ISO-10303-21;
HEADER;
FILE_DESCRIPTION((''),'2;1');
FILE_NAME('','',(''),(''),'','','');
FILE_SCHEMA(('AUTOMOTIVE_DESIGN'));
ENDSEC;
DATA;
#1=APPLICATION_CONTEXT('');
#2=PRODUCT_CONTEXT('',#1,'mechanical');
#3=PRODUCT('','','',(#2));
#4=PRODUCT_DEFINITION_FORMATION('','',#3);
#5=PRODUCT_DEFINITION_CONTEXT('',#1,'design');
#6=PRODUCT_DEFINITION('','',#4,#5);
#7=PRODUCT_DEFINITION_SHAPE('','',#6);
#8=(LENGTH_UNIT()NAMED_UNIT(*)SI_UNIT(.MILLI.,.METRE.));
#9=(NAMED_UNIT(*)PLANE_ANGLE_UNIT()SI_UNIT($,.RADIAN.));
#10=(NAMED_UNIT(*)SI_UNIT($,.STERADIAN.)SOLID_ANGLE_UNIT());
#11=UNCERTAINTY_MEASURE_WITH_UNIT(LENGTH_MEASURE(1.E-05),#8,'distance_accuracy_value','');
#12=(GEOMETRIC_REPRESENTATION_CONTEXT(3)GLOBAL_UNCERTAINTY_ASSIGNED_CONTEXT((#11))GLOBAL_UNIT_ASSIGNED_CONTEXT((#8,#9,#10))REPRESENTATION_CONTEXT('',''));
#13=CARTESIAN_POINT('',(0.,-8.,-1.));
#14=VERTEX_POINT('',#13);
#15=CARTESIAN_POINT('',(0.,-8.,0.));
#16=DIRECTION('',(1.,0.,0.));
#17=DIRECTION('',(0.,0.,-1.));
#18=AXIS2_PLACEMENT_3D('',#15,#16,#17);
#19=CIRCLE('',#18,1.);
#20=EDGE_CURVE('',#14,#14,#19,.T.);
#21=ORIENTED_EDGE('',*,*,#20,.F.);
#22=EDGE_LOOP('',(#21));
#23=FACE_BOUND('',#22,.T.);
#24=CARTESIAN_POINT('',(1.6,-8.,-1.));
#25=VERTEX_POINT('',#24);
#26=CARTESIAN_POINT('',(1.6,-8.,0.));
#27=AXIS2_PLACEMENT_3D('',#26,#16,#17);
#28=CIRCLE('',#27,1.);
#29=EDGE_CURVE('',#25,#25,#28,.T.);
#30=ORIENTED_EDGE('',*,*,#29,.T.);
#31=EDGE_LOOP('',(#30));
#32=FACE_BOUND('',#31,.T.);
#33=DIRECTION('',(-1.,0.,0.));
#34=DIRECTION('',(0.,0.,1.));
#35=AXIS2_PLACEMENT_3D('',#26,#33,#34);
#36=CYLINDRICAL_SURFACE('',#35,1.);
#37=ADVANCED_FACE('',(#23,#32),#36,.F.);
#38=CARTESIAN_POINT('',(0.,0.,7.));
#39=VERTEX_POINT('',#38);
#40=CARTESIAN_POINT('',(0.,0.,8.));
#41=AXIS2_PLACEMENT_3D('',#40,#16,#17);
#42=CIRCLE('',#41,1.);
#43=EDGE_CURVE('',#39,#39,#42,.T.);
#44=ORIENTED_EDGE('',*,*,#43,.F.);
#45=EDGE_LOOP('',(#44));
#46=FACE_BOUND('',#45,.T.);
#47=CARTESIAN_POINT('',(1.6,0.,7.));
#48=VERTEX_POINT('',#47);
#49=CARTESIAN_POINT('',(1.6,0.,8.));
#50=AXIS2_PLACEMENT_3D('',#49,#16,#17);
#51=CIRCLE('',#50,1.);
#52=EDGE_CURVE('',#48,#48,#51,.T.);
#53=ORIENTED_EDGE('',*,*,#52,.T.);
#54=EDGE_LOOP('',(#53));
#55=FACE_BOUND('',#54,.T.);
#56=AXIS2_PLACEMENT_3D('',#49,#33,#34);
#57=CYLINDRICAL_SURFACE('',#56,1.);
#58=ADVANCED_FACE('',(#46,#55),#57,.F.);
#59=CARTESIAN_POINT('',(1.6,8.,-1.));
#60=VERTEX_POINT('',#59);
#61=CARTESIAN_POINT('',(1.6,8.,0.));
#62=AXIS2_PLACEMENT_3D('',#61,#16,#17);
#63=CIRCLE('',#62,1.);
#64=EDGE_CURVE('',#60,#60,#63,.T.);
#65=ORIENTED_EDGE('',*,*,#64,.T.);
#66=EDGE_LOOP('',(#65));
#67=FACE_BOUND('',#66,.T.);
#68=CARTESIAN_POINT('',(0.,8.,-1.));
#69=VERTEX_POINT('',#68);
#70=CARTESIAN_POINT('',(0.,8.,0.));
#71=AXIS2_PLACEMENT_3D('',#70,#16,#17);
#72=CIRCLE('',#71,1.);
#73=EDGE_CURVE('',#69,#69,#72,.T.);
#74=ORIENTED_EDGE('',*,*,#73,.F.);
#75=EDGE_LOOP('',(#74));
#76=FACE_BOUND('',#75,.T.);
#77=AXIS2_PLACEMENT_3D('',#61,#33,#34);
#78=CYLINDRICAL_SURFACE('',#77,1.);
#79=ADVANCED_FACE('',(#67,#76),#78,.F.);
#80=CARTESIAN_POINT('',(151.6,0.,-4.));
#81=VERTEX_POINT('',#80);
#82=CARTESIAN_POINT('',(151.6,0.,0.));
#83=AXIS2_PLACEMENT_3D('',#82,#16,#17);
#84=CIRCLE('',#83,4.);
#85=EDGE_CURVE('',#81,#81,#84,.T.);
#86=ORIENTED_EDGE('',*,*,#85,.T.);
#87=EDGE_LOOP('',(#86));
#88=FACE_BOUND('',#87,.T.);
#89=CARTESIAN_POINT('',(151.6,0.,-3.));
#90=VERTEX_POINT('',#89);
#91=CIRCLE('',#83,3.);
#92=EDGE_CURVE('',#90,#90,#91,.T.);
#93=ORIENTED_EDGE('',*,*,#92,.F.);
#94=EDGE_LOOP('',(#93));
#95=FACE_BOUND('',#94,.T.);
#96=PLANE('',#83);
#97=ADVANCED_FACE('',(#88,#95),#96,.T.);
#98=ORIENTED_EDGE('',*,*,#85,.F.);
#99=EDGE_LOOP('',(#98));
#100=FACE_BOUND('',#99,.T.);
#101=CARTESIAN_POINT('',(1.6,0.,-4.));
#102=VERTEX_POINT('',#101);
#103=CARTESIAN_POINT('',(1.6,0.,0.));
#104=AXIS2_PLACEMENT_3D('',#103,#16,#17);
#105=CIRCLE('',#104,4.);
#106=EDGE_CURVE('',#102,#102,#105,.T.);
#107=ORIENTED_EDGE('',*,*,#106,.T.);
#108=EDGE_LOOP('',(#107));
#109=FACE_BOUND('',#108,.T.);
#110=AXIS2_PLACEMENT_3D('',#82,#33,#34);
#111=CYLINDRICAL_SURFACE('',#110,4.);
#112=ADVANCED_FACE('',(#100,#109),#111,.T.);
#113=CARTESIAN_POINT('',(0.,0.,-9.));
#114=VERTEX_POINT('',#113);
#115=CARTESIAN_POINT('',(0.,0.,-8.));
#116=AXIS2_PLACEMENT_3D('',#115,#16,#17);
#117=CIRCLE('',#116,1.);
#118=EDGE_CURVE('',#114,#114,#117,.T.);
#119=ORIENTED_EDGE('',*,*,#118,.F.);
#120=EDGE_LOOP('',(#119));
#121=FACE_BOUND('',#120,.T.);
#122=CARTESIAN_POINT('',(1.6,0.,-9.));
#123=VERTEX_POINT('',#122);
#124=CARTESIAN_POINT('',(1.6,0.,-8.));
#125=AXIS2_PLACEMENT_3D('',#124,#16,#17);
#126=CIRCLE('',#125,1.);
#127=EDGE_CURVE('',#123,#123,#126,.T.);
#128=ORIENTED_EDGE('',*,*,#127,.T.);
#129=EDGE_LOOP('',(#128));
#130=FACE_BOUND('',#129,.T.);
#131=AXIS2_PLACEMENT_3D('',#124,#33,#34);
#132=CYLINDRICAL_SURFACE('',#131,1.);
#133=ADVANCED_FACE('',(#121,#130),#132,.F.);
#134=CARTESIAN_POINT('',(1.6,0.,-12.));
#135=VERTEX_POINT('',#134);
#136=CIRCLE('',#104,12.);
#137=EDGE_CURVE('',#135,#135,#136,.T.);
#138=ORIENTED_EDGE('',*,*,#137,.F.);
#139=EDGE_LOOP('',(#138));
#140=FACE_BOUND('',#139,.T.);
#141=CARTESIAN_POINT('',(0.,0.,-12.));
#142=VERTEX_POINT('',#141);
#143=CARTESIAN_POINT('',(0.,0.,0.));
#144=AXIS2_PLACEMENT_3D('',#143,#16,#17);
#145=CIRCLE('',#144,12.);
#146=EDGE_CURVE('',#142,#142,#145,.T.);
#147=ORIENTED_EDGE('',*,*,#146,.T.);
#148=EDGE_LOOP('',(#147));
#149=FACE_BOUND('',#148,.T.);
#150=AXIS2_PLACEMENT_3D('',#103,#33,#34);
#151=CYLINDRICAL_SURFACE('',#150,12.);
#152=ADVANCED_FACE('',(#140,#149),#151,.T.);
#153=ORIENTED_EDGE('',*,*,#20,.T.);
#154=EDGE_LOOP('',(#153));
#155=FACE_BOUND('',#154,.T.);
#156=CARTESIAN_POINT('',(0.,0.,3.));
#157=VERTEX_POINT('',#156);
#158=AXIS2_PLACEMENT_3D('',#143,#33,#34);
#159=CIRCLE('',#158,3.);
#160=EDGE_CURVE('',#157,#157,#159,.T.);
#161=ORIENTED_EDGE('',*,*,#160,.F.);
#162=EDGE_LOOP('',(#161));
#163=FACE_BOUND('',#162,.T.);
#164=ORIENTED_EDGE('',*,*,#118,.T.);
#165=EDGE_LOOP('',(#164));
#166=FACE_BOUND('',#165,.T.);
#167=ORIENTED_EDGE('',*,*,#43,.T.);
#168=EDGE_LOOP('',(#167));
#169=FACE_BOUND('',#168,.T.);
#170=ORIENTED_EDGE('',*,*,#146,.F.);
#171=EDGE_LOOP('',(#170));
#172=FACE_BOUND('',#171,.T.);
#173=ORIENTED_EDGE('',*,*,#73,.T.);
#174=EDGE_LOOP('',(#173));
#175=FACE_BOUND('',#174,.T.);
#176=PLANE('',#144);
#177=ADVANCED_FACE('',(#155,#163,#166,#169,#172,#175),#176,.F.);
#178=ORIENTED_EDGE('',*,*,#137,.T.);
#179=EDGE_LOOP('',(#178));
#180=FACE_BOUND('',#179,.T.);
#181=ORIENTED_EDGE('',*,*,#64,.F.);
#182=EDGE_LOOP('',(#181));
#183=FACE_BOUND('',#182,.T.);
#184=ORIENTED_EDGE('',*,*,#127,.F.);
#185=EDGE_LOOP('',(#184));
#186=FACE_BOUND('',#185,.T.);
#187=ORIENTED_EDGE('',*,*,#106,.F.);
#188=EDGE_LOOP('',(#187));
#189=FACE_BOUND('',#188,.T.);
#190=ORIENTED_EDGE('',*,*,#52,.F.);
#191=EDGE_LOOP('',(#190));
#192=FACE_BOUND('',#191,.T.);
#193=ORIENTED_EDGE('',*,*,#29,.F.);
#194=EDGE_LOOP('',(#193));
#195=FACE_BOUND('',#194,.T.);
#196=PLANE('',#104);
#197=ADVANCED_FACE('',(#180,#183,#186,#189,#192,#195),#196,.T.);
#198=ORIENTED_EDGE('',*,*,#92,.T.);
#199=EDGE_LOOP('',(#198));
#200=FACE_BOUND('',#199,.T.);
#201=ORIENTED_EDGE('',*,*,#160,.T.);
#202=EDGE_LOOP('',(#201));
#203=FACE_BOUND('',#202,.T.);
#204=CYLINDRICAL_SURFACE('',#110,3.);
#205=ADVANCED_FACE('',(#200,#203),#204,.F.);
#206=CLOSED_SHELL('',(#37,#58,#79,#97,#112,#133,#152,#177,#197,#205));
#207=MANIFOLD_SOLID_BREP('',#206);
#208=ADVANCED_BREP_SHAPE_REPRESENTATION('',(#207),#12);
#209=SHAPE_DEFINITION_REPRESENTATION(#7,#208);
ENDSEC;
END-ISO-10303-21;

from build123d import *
from build123d.topology import SkipClean

# Parameters (mm, degrees)
SKETCH1_R           = 12
SKETCH1_R_2         = 1
SKETCH1_R_3         = 4
SKETCH1_R_4         = 3
BOSS_EXTRUDE1_DEPTH = 1.6
SKETCH2_R           = 4
SKETCH2_R_2         = 3
BOSS_EXTRUDE2_DEPTH = 150
SKETCH3_R           = 3
CUT_EXTRUDE1_DEPTH  = 150


with BuildPart() as part:
    # Sketch1 → Boss-Extrude1 (new body)
    # profile 1 of 3: a face of its own
    with BuildSketch(Plane(origin=(0, 0, 0), x_dir=(0, 0, -1), z_dir=(1, 0, 0))):
        Circle(SKETCH1_R)
        with Locations((-8, 0)):
            Circle(SKETCH1_R_2, mode=Mode.SUBTRACT)
        with Locations((0, -8)):
            Circle(SKETCH1_R_2, mode=Mode.SUBTRACT)
        with Locations((8, 0)):
            Circle(SKETCH1_R_2, mode=Mode.SUBTRACT)
        with Locations((0, 8)):
            Circle(SKETCH1_R_2, mode=Mode.SUBTRACT)
        Circle(SKETCH1_R_3, mode=Mode.SUBTRACT)
    # profile 2 of 3: a face of its own
    with BuildSketch(Plane(origin=(0, 0, 0), x_dir=(0, 0, -1), z_dir=(1, 0, 0))):
        Circle(SKETCH1_R_3)
        Circle(SKETCH1_R_4, mode=Mode.SUBTRACT)
    # profile 3 of 3: a face of its own
    with BuildSketch(Plane(origin=(0, 0, 0), x_dir=(0, 0, -1), z_dir=(1, 0, 0))):
        Circle(SKETCH1_R_4)
    extrude(amount=BOSS_EXTRUDE1_DEPTH)

    # Sketch2 → Boss-Extrude2 (add)
    with BuildSketch(Plane(origin=(1.6, 0, 0), x_dir=(0, 0, -1), z_dir=(1, 0, 0))):
        Circle(SKETCH2_R)
        Circle(SKETCH2_R_2, mode=Mode.SUBTRACT)
    extrude(amount=BOSS_EXTRUDE2_DEPTH)

    # Sketch3 → Cut-Extrude1 (cut)
    with SkipClean():  # the faces are left unmerged after this step: merging them gives an invalid solid
        with BuildSketch(Plane.ZY):
            Circle(SKETCH3_R)
        extrude(amount=-CUT_EXTRUDE1_DEPTH, mode=Mode.SUBTRACT)


solid = part.part
